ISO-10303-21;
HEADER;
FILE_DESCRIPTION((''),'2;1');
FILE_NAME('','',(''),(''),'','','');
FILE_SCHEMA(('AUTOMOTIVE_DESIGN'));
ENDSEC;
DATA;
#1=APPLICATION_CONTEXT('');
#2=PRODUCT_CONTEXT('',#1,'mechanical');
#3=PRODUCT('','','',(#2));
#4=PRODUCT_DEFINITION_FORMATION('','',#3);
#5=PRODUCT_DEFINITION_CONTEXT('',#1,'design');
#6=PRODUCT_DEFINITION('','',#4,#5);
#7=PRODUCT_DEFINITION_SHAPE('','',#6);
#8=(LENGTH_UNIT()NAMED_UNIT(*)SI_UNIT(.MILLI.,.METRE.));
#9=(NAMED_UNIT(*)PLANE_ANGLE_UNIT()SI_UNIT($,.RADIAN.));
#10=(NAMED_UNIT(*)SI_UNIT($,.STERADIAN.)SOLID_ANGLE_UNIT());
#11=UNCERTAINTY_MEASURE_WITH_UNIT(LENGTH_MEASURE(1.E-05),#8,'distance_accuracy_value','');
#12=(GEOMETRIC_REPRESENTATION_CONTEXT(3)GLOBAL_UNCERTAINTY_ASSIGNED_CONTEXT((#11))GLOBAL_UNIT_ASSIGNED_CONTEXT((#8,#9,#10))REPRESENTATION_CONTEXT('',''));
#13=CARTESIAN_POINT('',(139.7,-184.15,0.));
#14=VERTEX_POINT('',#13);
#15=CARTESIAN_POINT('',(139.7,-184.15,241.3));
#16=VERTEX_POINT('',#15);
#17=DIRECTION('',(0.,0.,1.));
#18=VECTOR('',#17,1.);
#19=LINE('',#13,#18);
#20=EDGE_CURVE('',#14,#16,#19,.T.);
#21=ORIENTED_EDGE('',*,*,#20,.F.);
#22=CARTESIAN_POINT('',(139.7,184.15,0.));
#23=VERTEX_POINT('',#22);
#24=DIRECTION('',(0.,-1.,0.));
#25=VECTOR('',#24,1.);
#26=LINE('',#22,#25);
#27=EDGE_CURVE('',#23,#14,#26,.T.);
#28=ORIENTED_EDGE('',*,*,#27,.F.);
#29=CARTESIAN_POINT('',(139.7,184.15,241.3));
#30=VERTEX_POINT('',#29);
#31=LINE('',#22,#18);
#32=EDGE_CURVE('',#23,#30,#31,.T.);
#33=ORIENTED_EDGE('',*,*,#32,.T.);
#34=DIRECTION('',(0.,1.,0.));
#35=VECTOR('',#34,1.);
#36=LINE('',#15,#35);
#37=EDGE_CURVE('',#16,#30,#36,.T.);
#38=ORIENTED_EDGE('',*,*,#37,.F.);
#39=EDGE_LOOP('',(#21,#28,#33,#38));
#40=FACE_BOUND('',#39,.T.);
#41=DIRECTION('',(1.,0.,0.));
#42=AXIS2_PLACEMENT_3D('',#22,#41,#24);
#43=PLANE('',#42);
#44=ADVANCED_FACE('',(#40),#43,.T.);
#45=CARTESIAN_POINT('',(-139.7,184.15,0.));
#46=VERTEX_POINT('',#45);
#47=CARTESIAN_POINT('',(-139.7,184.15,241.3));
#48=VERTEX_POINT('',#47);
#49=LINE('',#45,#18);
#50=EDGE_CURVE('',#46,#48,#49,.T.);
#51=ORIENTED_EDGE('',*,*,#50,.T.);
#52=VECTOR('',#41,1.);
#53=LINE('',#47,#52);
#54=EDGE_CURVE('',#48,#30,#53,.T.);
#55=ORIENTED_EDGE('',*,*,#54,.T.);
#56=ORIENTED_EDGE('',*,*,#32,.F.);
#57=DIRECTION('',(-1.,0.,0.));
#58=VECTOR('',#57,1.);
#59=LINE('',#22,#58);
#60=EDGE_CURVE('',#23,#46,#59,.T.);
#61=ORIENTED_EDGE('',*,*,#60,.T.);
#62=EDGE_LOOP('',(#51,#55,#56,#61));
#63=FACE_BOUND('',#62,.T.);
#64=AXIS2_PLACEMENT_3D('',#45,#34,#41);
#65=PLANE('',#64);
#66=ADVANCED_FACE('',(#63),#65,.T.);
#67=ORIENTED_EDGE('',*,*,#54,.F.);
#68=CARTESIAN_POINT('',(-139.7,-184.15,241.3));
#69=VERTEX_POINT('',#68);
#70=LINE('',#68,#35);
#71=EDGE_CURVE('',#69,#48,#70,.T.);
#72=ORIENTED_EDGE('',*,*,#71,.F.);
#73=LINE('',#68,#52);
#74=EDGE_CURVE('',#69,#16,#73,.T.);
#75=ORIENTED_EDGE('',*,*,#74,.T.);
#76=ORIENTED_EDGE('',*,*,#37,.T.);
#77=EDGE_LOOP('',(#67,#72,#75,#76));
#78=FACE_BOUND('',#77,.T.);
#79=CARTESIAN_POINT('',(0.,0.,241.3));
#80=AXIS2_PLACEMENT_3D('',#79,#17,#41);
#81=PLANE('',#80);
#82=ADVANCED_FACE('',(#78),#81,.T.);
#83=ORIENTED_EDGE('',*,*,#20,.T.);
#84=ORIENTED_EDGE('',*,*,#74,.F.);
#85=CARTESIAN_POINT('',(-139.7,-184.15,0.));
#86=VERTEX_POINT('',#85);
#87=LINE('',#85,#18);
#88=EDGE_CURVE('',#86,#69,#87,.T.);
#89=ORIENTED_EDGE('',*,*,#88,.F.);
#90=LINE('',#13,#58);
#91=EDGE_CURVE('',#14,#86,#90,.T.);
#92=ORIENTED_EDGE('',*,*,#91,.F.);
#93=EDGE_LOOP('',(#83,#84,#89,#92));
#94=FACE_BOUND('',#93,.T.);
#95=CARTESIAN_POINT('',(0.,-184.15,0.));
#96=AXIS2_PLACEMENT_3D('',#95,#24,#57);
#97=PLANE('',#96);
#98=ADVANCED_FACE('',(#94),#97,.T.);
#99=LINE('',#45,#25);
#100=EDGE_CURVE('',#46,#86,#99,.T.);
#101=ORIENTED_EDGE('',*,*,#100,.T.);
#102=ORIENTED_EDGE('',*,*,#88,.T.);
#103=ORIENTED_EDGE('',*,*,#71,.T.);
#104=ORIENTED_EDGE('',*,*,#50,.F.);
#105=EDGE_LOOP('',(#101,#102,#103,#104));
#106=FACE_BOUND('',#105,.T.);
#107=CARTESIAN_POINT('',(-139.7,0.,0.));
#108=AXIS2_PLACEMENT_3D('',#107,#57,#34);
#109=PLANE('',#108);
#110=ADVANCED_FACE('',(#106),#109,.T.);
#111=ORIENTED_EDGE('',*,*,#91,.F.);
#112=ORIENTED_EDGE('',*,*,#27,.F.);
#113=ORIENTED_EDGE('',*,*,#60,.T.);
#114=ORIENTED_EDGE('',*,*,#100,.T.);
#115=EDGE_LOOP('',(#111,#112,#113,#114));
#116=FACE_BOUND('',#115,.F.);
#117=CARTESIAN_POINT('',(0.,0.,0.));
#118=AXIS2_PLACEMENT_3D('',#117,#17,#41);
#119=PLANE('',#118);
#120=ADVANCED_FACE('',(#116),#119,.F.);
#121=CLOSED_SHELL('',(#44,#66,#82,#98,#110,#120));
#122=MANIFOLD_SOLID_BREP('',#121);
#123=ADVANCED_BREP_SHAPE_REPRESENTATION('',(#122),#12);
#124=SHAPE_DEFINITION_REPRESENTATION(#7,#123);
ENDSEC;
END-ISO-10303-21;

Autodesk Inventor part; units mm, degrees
ref_plane "YZ Plane" through (0, 0, 0) normal (1, 0, 0) x (0, 1, 0)
ref_plane "XZ Plane" through (0, 0, 0) normal (0, 1, 0) x (-1, 0, 0)
ref_plane "XY Plane" through (0, 0, 0) normal (0, 0, 1) x (1, 0, 0)
sketch "Sketch1" plane through (0, 0, 0) normal (0, 0, 1) x (1, 0, 0)
  line L0 (-195.58, 0) -> (195.58, 0) projected
  line L1 (0, -257.81) -> (0, 257.81) projected
  line L2 (-139.7, 184.15) -> (139.7, 184.15)
  line L3 (139.7, 184.15) -> (139.7, -184.15)
  line L4 (139.7, -184.15) -> (-139.7, -184.15)
  line L5 (-139.7, -184.15) -> (-139.7, 184.15)
  point P0 (0, 0)
  point P1 (0, 184.15)
  point P2 (-139.7, 0)
  dimension "d0" = 368.3
  dimension "d1" = 279.4
extrude "Extrusion1" add sketch "Sketch1" along normal blind 241.3
properties part number "computer model"
